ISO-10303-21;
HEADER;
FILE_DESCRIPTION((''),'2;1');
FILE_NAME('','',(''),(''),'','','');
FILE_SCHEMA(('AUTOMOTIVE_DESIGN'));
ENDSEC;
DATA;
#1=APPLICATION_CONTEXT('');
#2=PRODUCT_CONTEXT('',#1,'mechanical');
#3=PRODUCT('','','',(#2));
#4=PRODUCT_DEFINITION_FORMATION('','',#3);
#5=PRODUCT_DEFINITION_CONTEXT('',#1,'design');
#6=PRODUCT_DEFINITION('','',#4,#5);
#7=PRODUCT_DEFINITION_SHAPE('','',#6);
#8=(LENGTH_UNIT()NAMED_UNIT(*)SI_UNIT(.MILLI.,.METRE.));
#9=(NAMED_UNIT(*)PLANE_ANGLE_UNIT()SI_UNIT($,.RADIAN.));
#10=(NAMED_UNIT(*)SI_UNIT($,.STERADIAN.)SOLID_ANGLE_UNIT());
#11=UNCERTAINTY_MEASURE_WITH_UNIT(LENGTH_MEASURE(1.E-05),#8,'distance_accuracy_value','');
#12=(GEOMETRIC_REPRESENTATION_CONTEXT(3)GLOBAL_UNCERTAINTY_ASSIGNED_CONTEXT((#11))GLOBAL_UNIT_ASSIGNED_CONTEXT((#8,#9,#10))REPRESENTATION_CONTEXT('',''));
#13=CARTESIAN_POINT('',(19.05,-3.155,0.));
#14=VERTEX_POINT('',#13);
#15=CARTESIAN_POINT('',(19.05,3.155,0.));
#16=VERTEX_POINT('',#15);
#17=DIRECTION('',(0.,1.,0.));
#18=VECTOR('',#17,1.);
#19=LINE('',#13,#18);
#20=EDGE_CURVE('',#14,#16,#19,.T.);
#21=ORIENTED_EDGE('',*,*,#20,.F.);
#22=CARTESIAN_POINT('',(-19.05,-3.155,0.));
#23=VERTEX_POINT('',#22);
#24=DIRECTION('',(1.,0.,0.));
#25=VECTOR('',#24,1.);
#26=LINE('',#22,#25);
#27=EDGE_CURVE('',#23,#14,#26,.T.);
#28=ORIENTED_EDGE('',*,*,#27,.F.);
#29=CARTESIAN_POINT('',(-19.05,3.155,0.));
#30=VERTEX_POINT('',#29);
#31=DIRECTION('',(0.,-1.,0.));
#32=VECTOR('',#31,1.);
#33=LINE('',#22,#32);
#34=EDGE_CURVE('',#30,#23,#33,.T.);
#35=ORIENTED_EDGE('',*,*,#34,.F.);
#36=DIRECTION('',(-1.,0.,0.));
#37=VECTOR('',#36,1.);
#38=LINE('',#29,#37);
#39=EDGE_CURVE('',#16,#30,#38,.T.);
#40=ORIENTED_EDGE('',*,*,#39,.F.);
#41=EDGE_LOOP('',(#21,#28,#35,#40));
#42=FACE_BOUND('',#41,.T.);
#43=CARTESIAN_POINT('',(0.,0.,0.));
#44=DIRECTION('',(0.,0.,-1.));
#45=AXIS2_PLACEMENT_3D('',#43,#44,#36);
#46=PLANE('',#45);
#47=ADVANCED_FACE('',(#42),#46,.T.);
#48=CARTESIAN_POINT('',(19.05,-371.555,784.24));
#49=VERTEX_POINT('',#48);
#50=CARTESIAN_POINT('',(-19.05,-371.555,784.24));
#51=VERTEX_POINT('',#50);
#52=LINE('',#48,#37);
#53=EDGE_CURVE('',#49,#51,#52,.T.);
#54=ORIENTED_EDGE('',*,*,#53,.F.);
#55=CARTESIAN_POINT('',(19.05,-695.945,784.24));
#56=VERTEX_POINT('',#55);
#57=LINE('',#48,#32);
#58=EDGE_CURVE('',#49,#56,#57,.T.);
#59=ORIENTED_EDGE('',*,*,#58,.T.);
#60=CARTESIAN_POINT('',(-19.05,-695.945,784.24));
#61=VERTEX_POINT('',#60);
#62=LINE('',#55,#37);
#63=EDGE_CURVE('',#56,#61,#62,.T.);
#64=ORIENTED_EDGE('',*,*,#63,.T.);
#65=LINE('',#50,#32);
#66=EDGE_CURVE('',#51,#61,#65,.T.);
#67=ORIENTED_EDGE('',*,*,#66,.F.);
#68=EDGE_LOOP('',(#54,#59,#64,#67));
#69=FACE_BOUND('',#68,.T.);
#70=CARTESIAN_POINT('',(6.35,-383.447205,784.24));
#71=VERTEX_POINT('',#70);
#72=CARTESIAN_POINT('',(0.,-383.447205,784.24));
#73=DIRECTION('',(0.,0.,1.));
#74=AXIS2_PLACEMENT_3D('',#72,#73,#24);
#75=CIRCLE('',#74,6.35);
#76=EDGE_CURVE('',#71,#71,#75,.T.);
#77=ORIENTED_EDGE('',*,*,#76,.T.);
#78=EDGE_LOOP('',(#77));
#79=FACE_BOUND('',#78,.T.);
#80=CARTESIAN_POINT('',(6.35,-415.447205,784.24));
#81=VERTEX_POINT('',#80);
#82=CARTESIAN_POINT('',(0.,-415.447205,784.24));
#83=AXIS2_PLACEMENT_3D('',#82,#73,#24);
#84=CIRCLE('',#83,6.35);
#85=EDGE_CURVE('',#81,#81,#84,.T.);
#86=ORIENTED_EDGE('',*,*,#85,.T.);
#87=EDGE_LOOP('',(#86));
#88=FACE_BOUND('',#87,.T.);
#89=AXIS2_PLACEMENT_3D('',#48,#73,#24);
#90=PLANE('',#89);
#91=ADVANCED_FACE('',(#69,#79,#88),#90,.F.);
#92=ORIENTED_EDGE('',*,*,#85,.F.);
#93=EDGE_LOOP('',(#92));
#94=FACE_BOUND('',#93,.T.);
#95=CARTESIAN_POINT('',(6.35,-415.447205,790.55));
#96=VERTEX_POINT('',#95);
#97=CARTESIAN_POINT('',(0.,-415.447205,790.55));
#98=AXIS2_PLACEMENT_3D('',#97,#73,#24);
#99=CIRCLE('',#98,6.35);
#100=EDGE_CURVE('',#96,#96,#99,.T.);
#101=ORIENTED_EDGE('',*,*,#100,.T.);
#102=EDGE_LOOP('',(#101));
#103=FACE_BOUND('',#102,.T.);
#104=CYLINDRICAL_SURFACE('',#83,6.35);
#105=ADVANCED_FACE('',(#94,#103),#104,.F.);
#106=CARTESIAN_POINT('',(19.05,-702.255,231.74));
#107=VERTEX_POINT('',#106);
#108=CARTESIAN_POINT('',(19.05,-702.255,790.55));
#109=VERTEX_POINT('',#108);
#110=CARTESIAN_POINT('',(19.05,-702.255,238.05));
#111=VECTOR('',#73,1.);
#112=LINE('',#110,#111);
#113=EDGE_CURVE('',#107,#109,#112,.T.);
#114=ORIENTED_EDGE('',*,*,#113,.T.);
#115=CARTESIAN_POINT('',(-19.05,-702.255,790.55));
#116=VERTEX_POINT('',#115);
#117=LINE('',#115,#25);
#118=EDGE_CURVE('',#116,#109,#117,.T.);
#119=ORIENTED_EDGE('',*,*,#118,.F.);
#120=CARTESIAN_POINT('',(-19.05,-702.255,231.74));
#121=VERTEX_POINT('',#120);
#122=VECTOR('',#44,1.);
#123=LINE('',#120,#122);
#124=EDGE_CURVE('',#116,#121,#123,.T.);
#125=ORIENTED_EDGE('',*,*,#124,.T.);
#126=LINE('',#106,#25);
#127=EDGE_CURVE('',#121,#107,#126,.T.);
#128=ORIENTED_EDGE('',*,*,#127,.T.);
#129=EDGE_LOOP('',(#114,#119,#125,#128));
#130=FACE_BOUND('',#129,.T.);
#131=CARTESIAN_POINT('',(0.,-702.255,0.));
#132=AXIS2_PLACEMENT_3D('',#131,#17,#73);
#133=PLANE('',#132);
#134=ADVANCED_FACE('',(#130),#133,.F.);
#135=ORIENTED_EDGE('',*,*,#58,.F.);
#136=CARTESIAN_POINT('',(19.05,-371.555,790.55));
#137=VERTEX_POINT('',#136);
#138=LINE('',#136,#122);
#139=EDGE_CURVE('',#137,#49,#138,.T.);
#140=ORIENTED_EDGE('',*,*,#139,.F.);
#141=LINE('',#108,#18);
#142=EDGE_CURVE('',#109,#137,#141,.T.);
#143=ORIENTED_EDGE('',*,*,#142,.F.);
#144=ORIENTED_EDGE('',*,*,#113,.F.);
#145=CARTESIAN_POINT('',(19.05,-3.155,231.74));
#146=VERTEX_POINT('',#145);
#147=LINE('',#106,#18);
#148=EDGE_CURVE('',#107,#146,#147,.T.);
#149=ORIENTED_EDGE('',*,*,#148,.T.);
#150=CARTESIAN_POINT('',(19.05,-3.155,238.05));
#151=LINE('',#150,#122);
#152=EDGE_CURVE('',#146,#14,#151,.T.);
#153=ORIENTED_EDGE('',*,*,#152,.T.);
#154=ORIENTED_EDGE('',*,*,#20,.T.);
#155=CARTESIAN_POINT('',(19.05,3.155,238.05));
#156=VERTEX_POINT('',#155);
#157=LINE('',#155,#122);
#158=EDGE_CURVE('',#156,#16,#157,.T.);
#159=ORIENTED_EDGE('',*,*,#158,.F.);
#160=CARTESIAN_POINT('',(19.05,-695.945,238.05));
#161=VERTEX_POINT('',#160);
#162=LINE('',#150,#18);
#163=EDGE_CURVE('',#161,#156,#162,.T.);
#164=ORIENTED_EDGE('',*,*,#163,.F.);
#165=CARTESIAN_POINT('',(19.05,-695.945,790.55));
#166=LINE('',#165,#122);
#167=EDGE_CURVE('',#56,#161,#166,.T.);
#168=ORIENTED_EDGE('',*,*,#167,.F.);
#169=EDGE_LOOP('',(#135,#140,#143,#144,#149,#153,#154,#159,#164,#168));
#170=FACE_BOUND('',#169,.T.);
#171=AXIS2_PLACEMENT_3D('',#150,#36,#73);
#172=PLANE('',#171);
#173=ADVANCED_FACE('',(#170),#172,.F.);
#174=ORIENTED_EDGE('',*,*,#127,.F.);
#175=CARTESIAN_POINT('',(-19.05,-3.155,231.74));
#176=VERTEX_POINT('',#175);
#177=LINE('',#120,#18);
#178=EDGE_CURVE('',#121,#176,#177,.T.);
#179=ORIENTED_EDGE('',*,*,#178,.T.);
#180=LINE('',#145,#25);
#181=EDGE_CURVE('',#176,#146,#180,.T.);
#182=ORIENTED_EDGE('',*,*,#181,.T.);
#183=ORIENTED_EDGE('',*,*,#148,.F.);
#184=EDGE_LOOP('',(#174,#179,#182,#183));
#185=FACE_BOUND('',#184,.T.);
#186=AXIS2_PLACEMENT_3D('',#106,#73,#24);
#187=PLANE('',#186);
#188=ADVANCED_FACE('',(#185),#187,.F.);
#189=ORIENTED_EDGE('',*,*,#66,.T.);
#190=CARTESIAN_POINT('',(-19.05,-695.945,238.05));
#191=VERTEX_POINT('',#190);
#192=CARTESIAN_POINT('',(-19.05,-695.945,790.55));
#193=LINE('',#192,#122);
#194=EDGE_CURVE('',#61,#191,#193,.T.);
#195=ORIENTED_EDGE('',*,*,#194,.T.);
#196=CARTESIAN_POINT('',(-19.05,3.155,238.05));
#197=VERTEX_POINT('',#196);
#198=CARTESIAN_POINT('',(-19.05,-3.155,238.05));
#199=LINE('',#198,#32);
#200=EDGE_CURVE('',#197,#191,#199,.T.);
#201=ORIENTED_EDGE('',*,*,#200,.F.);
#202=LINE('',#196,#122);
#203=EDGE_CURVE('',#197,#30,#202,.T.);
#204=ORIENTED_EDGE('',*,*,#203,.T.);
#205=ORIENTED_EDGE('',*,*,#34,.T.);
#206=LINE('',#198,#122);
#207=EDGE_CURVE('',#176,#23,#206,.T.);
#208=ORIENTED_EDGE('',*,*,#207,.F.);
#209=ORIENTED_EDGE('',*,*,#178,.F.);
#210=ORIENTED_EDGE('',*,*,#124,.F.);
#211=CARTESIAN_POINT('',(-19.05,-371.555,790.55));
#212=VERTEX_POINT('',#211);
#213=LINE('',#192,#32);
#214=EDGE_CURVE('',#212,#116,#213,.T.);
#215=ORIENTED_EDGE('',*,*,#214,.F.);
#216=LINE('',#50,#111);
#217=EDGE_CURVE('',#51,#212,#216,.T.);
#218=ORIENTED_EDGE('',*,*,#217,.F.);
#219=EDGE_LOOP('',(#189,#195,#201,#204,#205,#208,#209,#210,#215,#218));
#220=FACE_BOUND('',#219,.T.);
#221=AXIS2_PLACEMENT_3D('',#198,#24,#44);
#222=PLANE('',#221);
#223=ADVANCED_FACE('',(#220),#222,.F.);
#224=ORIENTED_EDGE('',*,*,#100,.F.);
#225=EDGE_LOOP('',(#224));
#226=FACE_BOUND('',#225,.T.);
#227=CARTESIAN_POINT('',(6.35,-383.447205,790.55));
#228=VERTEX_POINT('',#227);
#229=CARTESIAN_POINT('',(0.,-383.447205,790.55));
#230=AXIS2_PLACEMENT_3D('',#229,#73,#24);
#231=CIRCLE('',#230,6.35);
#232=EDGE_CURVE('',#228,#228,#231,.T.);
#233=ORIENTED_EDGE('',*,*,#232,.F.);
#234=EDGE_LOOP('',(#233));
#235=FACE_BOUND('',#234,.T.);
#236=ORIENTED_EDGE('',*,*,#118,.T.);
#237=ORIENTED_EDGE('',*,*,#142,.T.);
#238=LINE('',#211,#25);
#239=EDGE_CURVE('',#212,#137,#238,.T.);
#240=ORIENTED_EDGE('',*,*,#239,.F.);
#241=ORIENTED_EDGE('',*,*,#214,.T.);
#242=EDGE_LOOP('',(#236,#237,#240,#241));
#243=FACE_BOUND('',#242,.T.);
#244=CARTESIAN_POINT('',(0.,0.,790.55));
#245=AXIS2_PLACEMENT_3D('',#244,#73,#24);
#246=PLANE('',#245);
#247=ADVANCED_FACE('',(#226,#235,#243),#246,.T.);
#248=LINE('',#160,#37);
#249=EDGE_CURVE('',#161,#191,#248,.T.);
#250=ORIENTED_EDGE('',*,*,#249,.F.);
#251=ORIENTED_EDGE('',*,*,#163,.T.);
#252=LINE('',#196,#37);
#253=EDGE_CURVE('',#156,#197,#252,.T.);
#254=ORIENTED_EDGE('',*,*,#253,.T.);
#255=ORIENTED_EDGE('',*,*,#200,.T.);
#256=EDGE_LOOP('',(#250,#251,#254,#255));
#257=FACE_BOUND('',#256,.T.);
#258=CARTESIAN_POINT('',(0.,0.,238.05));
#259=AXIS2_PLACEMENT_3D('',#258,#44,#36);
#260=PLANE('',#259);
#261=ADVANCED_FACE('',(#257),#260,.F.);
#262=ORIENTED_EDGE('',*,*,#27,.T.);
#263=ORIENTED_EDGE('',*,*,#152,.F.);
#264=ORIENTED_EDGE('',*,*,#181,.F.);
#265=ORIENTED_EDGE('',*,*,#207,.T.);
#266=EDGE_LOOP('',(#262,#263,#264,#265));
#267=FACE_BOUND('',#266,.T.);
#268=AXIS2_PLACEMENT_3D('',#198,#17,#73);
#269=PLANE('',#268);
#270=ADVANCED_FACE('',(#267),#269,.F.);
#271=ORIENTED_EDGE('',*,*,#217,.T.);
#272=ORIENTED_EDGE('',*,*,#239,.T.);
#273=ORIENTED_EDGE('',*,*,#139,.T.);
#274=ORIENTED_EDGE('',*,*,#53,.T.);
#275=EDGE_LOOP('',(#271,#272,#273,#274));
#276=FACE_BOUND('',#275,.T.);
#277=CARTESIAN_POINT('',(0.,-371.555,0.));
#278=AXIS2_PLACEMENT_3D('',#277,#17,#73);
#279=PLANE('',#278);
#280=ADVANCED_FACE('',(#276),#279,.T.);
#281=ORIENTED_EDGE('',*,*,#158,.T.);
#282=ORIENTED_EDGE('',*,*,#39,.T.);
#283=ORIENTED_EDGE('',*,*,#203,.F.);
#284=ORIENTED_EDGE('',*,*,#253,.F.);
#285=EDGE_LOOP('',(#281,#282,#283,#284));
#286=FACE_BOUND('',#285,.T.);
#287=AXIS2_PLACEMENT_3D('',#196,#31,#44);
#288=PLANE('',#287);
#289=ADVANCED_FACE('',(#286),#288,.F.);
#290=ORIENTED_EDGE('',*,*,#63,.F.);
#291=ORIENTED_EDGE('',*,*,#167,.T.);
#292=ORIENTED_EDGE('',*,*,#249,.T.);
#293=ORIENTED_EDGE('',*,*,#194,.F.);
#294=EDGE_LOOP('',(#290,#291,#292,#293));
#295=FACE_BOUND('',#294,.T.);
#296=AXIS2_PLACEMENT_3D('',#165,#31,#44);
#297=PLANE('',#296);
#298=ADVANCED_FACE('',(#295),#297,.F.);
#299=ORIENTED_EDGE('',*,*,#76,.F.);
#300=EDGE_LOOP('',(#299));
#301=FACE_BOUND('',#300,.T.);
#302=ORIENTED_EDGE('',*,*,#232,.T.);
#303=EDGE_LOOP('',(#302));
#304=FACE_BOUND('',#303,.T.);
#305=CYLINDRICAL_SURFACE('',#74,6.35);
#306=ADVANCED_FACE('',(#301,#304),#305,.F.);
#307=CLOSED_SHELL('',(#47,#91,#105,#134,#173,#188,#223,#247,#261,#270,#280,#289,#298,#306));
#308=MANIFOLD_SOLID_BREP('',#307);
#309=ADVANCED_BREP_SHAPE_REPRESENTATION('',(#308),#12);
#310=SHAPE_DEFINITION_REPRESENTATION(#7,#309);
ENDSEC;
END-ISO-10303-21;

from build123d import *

# Parameters (mm, degrees)
CROQUIS1_W              = 38.1
CROQUIS1_H              = 6.31
SALIENTE_EXTRUIR1_DEPTH = 238.05
CROQUIS2_W              = 38.1
CROQUIS2_H              = 6.31
SALIENTE_EXTRUIR2_DEPTH = 699.1
CROQUIS3_W              = 38.1
CROQUIS3_H              = 6.31
SALIENTE_EXTRUIR3_DEPTH = 552.5
CROQUIS4_W              = 38.1
CROQUIS4_H              = 6.31
SALIENTE_EXTRUIR4_DEPTH = 324.39
CROQUIS5_R              = 6.35
CORTAR_EXTRUIR1_DEPTH   = 6.31


with BuildPart() as part:
    # Croquis1 → Saliente-Extruir1 (new body)
    with BuildSketch(Plane.XY):
        Rectangle(CROQUIS1_W, CROQUIS1_H)
    extrude(amount=SALIENTE_EXTRUIR1_DEPTH)

    # Croquis2 → Saliente-Extruir2 (add)
    with BuildSketch(Plane.XZ.offset(3.155)):
        with Locations((0, 234.895)):
            Rectangle(CROQUIS2_W, CROQUIS2_H)
    extrude(amount=SALIENTE_EXTRUIR2_DEPTH)

    # Croquis3 → Saliente-Extruir3 (add)
    with BuildSketch(Plane.XY.offset(238.05)):
        with Locations((0, -699.1)):
            Rectangle(CROQUIS3_W, CROQUIS3_H)
    extrude(amount=SALIENTE_EXTRUIR3_DEPTH)

    # Croquis4 → Saliente-Extruir4 (add)
    with BuildSketch(Plane(origin=(0, -695.945, 0), x_dir=(1, 0, 0), z_dir=(0, 1, 0))):
        with Locations((0, -787.395)):
            Rectangle(CROQUIS4_W, CROQUIS4_H)
    extrude(amount=SALIENTE_EXTRUIR4_DEPTH)

    # Croquis5 → Cortar-Extruir1 (cut)
    with BuildSketch(Plane.XY.offset(790.55)):
        with Locations((0, -383.447204666)):
            Circle(CROQUIS5_R)
        with Locations((0, -415.447204666)):
            Circle(CROQUIS5_R)
    extrude(amount=-CORTAR_EXTRUIR1_DEPTH, mode=Mode.SUBTRACT)


solid = part.part
